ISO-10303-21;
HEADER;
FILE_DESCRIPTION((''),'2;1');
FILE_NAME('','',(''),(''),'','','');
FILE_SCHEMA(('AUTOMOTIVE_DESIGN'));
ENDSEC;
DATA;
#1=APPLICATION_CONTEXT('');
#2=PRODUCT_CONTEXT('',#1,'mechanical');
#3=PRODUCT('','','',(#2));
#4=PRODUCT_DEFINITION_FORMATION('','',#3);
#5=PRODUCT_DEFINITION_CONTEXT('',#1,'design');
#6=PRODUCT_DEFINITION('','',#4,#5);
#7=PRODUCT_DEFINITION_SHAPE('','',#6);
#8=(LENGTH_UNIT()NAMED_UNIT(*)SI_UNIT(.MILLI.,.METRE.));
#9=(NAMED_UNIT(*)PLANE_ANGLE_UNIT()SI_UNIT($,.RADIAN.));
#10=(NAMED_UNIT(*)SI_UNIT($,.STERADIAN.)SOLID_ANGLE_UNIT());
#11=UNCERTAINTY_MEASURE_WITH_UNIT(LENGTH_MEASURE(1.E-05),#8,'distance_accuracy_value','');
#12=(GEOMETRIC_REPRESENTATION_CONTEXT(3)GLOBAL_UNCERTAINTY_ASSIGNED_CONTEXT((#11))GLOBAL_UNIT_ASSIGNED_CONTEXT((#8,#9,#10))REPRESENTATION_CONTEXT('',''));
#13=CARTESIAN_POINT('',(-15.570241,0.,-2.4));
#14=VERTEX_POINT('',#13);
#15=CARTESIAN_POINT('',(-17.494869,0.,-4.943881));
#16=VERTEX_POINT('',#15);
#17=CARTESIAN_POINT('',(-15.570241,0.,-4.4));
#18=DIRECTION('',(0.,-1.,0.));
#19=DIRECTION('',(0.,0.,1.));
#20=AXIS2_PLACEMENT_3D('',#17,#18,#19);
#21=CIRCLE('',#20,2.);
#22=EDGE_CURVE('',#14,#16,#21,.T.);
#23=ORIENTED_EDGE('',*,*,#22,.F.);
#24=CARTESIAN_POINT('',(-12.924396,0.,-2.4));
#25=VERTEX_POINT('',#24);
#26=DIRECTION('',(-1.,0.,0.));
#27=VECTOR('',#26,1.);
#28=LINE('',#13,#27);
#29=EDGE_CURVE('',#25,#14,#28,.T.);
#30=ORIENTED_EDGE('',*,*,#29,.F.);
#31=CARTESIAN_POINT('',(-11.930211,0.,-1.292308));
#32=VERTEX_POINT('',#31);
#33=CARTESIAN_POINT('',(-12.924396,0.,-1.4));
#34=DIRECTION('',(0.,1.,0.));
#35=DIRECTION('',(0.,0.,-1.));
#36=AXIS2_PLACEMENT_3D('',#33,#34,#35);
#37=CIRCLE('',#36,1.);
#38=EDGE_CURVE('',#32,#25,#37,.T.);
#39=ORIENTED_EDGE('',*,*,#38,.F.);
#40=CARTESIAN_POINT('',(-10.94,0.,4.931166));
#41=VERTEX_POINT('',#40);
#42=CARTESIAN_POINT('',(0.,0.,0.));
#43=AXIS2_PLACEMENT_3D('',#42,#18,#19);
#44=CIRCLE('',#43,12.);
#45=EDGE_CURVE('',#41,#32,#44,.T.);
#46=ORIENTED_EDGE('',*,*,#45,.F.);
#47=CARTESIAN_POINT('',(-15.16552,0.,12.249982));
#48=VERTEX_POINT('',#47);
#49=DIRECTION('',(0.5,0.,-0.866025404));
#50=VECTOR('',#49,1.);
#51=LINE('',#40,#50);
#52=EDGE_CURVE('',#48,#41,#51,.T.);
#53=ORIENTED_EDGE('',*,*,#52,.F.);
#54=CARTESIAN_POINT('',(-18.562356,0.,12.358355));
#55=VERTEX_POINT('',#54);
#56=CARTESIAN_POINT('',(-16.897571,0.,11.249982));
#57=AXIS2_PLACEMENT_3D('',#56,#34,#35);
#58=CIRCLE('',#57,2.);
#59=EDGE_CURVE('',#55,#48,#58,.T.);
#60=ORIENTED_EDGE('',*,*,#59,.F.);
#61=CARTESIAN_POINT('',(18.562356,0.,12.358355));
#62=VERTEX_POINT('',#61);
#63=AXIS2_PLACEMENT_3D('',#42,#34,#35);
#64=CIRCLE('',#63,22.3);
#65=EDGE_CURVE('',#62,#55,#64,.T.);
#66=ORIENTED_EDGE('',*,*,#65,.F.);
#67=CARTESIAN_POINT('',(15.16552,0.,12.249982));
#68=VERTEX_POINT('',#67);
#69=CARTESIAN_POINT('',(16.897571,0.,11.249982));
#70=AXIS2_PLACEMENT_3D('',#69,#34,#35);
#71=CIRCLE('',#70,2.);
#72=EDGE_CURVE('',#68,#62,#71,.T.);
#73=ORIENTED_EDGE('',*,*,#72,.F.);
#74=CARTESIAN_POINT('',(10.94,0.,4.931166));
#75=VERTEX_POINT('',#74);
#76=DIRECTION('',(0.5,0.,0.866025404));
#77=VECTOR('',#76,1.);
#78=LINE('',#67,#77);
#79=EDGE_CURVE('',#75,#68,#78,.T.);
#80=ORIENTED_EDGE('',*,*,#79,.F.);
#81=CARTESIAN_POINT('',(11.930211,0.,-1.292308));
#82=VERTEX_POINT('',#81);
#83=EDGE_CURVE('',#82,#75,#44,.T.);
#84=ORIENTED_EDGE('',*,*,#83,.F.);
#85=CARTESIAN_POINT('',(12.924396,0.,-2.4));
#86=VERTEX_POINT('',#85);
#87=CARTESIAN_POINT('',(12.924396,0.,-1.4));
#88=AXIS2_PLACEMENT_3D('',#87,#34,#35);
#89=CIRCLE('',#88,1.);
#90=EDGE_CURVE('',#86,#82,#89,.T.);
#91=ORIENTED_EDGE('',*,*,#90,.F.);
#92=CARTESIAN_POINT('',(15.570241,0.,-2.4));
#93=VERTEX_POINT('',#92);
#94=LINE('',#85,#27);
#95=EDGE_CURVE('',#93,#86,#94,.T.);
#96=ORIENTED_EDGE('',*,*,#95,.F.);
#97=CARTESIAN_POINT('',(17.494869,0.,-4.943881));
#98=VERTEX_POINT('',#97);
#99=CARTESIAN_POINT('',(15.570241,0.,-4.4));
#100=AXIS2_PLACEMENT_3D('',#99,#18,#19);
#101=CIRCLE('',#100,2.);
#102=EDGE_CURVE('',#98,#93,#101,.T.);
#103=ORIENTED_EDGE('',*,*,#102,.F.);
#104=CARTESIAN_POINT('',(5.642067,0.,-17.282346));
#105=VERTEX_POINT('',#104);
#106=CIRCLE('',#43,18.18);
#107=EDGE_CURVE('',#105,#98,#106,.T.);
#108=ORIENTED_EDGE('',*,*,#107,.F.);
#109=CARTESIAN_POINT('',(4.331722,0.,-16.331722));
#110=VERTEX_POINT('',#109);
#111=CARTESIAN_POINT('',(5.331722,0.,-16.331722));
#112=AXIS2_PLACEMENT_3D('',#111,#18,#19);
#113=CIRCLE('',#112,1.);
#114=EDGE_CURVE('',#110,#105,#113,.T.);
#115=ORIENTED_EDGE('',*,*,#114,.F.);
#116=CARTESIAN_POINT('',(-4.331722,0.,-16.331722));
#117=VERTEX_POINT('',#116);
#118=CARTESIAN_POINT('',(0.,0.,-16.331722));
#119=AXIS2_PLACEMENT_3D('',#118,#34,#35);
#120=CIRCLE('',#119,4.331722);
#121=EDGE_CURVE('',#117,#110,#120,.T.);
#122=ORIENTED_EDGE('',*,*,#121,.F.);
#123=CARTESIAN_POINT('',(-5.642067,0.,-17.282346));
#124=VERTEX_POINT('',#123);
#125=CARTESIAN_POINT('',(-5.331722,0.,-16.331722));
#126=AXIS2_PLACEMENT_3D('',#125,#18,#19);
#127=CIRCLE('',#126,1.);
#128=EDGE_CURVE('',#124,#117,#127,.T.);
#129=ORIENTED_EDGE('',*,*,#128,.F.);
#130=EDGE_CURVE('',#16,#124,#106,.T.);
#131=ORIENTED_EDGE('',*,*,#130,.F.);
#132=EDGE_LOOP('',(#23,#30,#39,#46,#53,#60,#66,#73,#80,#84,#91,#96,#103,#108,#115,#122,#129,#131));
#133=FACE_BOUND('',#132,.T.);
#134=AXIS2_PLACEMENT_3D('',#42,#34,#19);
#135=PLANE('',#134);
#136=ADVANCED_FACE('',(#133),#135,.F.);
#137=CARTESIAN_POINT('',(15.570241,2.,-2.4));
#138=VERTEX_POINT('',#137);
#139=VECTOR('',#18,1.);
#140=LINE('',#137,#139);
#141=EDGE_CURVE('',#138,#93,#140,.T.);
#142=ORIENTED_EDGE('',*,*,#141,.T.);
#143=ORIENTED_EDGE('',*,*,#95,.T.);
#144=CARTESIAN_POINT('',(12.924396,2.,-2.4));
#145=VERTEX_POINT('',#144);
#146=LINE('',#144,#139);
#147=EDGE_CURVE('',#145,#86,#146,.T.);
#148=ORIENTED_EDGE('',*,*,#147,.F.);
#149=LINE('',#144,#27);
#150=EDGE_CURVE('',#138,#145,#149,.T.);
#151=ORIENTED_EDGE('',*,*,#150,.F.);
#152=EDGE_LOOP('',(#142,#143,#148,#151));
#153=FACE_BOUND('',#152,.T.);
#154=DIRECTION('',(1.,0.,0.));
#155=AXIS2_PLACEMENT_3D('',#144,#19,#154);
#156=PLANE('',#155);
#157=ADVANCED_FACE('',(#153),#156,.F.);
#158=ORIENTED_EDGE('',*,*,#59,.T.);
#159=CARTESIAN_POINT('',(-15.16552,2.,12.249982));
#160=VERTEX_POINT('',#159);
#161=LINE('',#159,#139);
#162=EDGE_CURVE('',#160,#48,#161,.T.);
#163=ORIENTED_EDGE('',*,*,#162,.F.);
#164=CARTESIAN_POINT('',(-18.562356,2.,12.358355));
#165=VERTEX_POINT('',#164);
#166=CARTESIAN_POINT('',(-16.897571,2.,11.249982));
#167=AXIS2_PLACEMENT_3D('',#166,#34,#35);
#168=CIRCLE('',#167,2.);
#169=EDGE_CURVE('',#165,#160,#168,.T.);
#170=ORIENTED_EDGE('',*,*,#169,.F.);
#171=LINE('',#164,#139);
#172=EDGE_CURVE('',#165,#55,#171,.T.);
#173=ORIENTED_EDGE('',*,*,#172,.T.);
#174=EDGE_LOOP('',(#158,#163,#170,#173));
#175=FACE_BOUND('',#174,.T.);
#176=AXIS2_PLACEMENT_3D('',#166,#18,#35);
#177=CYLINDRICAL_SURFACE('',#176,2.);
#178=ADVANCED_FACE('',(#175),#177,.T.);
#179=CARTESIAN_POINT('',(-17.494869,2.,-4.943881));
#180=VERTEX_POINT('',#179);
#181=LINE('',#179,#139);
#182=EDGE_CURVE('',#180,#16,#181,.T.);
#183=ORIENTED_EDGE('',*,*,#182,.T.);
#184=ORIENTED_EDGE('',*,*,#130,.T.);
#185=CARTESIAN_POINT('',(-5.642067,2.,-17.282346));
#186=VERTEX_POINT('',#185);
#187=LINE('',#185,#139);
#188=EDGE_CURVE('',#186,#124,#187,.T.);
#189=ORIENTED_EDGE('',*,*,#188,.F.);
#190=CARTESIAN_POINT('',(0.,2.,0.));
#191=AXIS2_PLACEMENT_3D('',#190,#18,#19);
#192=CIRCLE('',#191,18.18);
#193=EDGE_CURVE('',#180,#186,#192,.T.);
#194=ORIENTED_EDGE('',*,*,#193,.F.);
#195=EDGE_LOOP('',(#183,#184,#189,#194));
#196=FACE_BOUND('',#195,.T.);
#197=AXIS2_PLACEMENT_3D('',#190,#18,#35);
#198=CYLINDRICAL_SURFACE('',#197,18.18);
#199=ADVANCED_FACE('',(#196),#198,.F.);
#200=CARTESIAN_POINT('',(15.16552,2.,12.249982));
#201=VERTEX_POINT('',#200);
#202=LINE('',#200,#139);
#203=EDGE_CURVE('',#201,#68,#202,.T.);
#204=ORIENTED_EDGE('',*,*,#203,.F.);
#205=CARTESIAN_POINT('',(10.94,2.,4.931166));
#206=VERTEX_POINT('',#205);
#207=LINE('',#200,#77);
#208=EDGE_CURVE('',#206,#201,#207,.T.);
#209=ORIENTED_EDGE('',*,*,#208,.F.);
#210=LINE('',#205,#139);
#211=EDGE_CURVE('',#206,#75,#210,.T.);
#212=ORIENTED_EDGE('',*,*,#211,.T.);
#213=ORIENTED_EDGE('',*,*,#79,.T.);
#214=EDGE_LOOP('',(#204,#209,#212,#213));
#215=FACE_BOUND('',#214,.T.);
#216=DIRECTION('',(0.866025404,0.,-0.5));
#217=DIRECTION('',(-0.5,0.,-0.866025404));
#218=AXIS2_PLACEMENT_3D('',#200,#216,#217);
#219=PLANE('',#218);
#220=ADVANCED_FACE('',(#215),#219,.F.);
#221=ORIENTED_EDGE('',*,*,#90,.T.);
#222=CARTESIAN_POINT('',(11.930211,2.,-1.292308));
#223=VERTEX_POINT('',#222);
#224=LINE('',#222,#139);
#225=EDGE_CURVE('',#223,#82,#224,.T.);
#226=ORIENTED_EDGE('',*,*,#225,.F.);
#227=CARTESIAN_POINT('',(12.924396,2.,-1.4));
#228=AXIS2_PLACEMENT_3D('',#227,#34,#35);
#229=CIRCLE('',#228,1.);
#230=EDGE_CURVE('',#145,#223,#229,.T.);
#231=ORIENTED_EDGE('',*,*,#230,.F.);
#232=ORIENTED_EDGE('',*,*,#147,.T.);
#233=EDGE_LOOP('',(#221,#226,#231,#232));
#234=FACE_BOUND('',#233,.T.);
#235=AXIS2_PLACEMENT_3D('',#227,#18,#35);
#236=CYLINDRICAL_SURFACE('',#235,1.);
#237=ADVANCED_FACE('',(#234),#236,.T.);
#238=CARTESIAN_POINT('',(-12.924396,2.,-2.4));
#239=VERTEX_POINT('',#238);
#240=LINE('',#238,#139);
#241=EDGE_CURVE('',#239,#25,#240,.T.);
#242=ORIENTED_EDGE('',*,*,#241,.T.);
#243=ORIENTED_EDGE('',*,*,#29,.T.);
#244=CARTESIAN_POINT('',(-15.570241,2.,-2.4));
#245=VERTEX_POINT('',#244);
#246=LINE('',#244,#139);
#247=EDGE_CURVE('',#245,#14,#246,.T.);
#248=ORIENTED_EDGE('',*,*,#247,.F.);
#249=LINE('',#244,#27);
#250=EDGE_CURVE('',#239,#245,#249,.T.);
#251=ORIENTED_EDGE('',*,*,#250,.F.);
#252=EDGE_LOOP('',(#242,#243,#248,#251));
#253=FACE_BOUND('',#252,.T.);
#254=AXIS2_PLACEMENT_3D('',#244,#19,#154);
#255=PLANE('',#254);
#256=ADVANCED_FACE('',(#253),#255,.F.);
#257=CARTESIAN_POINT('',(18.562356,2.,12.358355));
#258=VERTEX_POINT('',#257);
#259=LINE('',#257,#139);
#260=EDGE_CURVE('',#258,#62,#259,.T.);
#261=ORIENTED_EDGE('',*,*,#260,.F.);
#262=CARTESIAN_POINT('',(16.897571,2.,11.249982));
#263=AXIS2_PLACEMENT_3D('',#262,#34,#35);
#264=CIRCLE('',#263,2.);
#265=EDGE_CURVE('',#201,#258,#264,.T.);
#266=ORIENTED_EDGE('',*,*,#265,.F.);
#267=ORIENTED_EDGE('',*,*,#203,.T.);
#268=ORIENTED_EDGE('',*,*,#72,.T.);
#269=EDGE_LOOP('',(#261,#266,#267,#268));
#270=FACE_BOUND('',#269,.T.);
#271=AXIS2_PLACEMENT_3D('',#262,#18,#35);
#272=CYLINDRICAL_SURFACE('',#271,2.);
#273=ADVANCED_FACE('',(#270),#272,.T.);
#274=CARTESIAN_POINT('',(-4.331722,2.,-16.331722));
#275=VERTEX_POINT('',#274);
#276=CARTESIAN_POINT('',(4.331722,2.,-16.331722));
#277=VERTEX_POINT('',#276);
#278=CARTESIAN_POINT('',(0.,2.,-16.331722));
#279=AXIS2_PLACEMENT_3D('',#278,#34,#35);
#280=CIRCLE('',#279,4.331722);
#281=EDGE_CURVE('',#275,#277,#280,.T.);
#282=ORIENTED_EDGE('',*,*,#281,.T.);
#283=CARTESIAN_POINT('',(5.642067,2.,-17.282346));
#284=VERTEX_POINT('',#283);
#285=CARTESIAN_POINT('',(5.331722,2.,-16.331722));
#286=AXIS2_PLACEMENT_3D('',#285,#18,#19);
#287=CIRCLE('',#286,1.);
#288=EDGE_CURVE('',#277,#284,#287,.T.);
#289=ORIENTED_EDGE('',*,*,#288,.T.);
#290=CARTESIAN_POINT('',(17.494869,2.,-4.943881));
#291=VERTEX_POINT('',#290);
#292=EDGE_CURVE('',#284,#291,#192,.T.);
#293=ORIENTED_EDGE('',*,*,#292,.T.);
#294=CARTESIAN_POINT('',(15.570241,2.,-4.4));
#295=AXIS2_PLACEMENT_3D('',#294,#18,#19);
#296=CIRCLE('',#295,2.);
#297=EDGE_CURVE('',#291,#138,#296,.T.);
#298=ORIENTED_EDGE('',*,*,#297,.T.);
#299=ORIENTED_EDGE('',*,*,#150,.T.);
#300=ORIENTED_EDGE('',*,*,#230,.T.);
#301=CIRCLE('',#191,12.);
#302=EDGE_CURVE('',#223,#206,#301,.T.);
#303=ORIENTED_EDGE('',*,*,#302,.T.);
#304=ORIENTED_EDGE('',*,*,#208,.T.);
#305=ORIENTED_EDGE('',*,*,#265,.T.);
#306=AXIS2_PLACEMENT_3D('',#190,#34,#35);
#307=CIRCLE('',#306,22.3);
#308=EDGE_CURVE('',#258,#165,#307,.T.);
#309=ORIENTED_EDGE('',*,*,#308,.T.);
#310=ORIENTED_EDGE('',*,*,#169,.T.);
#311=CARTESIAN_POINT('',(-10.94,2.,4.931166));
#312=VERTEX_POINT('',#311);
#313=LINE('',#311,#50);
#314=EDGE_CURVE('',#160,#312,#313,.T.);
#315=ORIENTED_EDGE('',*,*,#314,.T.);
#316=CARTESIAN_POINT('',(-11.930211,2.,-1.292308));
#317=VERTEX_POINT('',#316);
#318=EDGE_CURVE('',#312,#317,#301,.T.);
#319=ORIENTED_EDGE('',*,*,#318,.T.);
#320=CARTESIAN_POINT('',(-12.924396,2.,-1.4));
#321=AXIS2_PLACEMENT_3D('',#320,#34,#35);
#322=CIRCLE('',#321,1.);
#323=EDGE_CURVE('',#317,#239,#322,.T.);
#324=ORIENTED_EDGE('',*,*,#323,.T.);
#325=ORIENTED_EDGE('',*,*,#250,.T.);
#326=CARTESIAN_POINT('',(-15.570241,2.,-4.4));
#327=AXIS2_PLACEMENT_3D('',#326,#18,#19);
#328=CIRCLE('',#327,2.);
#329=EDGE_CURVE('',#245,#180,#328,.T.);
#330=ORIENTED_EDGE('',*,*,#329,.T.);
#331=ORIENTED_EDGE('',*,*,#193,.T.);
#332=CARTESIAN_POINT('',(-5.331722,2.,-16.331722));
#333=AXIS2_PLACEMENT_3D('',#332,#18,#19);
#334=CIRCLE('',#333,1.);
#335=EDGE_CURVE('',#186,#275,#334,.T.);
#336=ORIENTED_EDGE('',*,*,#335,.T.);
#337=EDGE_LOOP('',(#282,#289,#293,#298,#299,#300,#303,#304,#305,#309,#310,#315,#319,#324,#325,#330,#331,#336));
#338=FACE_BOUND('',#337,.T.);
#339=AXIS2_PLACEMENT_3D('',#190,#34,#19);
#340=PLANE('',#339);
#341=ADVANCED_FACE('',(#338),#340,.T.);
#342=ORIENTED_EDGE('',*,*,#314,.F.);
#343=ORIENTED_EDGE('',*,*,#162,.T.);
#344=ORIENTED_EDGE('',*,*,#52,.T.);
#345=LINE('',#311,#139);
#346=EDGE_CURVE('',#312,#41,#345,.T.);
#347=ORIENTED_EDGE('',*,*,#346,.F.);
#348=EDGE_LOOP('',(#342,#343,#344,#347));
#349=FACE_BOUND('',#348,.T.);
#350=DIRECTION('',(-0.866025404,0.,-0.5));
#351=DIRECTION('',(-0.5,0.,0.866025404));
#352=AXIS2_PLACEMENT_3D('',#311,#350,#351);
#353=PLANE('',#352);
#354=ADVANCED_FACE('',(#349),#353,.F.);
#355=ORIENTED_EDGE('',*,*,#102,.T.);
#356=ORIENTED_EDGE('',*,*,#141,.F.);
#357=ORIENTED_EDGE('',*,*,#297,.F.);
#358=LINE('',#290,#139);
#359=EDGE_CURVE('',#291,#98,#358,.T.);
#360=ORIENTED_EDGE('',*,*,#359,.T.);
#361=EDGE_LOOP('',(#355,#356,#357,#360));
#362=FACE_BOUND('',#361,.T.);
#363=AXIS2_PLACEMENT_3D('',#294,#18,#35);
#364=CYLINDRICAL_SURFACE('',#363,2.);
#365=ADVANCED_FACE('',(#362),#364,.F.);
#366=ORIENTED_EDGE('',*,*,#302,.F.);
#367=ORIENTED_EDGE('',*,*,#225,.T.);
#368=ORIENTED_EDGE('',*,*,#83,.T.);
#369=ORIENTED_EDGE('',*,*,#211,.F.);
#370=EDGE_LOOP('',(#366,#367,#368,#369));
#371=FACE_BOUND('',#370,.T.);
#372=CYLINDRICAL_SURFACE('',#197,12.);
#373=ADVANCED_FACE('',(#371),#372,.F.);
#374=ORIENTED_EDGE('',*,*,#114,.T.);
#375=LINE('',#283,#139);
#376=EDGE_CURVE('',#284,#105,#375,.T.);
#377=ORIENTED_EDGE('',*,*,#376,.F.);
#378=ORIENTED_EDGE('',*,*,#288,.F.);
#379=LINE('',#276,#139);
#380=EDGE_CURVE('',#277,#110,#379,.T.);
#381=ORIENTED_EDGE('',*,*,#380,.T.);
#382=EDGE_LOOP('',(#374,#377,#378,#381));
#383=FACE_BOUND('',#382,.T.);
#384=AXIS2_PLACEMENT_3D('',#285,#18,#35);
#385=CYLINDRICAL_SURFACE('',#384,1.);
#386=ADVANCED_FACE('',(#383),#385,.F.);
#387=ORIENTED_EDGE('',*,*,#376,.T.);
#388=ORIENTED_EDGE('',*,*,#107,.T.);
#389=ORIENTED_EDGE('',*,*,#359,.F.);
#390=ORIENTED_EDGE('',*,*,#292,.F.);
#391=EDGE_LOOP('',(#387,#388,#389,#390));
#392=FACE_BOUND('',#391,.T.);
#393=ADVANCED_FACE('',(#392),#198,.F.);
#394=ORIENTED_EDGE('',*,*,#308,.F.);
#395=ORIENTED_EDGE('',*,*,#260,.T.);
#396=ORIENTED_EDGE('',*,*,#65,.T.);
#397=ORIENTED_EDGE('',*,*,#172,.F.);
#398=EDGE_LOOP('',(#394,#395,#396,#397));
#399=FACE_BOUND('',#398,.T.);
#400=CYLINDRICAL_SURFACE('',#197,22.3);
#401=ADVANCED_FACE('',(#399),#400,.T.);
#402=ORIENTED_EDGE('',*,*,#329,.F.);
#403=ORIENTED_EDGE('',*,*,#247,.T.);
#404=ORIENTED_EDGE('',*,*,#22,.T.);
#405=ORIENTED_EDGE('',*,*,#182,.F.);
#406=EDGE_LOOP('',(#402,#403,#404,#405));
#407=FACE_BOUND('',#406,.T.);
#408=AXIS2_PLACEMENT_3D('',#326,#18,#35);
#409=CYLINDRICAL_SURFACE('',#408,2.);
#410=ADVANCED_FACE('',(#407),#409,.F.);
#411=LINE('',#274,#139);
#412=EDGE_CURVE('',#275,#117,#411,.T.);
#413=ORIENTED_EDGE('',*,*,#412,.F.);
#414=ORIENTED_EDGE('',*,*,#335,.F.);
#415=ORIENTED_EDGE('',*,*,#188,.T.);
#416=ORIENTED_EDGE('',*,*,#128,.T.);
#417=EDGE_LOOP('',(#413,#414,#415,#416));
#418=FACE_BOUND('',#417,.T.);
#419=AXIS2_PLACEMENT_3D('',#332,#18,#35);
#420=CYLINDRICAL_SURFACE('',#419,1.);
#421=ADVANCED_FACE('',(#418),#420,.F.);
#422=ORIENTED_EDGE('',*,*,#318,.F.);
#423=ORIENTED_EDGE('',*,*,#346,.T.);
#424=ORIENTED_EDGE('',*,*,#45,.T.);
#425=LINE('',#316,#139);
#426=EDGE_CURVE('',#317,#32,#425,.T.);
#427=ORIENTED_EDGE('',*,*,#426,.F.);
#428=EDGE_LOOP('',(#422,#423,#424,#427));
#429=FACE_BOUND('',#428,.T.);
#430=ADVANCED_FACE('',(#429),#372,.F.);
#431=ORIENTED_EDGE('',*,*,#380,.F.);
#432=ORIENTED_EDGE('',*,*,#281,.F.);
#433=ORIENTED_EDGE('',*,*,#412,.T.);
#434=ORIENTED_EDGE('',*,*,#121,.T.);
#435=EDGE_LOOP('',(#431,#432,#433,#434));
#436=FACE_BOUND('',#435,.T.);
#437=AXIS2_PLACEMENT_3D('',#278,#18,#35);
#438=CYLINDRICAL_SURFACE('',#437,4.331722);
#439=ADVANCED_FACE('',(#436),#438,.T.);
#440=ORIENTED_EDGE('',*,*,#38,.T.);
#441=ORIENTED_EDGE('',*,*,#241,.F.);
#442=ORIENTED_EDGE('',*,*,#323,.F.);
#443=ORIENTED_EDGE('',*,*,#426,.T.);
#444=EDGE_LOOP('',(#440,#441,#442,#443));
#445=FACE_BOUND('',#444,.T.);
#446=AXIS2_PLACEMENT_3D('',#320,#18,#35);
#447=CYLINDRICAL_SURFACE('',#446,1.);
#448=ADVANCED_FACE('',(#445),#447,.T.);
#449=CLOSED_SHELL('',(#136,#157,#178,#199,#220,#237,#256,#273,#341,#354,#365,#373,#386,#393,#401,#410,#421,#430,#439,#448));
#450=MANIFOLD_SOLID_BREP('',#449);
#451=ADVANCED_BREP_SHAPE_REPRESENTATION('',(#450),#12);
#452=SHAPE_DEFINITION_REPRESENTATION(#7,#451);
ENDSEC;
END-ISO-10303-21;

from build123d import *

# Parameters (mm, degrees)
EXTRUDE_1_DEPTH = 2


with BuildPart() as part:
    # 草图1 → 凸台-拉伸1 (new body)
    with BuildSketch(Plane(origin=(0, 0, 0), x_dir=(1, 0, 0), z_dir=(0, 1, 0))):
        with BuildLine():
            Line((12.924395537, 2.4), (15.570240846, 2.4))
            ThreePointArc((15.570240846, 2.4), (17.165195809, 3.193302579), (17.494868886, 4.943881335))
            ThreePointArc((17.494868886, 4.943881335), (13.110639725, 12.594583201), (5.642066631, 17.282346025))
            ThreePointArc((5.642066631, 17.282346025), (4.744501657, 17.141149105), (4.331721931, 16.331721931))
            ThreePointArc((4.331721931, 16.331721931), (0, 12), (-4.331721931, 16.331721931))
            ThreePointArc((-4.331721931, 16.331721931), (-4.744501657, 17.141149105), (-5.642066631, 17.282346025))
            ThreePointArc((-5.642066631, 17.282346025), (-13.110639725, 12.594583201), (-17.494868886, 4.943881335))
            ThreePointArc((-17.494868886, 4.943881335), (-17.165195809, 3.193302579), (-15.570240846, 2.4))
            Line((-15.570240846, 2.4), (-12.924395537, 2.4))
            ThreePointArc((-12.924395537, 2.4), (-12.18018713, 2.067947488), (-11.930211265, 1.292307692))
            ThreePointArc((-11.930211265, 1.292307692), (-11.850930243, -1.885590724), (-10.94, -4.931166191))
            Line((-10.94, -4.931166191), (-15.165520228, -12.249981915))
            ThreePointArc((-15.165520228, -12.249981915), (-16.833795519, -13.248964827), (-18.56235636, -12.358354517))
            ThreePointArc((-18.56235636, -12.358354517), (0, 22.3), (18.56235636, -12.358354517))
            ThreePointArc((18.56235636, -12.358354517), (16.833795519, -13.248964827), (15.165520228, -12.249981915))
            Line((15.165520228, -12.249981915), (10.94, -4.931166191))
            ThreePointArc((10.94, -4.931166191), (11.850930243, -1.885590724), (11.930211265, 1.292307692))
            ThreePointArc((11.930211265, 1.292307692), (12.18018713, 2.067947488), (12.924395537, 2.4))
        make_face()
    extrude(amount=EXTRUDE_1_DEPTH)


solid = part.part
